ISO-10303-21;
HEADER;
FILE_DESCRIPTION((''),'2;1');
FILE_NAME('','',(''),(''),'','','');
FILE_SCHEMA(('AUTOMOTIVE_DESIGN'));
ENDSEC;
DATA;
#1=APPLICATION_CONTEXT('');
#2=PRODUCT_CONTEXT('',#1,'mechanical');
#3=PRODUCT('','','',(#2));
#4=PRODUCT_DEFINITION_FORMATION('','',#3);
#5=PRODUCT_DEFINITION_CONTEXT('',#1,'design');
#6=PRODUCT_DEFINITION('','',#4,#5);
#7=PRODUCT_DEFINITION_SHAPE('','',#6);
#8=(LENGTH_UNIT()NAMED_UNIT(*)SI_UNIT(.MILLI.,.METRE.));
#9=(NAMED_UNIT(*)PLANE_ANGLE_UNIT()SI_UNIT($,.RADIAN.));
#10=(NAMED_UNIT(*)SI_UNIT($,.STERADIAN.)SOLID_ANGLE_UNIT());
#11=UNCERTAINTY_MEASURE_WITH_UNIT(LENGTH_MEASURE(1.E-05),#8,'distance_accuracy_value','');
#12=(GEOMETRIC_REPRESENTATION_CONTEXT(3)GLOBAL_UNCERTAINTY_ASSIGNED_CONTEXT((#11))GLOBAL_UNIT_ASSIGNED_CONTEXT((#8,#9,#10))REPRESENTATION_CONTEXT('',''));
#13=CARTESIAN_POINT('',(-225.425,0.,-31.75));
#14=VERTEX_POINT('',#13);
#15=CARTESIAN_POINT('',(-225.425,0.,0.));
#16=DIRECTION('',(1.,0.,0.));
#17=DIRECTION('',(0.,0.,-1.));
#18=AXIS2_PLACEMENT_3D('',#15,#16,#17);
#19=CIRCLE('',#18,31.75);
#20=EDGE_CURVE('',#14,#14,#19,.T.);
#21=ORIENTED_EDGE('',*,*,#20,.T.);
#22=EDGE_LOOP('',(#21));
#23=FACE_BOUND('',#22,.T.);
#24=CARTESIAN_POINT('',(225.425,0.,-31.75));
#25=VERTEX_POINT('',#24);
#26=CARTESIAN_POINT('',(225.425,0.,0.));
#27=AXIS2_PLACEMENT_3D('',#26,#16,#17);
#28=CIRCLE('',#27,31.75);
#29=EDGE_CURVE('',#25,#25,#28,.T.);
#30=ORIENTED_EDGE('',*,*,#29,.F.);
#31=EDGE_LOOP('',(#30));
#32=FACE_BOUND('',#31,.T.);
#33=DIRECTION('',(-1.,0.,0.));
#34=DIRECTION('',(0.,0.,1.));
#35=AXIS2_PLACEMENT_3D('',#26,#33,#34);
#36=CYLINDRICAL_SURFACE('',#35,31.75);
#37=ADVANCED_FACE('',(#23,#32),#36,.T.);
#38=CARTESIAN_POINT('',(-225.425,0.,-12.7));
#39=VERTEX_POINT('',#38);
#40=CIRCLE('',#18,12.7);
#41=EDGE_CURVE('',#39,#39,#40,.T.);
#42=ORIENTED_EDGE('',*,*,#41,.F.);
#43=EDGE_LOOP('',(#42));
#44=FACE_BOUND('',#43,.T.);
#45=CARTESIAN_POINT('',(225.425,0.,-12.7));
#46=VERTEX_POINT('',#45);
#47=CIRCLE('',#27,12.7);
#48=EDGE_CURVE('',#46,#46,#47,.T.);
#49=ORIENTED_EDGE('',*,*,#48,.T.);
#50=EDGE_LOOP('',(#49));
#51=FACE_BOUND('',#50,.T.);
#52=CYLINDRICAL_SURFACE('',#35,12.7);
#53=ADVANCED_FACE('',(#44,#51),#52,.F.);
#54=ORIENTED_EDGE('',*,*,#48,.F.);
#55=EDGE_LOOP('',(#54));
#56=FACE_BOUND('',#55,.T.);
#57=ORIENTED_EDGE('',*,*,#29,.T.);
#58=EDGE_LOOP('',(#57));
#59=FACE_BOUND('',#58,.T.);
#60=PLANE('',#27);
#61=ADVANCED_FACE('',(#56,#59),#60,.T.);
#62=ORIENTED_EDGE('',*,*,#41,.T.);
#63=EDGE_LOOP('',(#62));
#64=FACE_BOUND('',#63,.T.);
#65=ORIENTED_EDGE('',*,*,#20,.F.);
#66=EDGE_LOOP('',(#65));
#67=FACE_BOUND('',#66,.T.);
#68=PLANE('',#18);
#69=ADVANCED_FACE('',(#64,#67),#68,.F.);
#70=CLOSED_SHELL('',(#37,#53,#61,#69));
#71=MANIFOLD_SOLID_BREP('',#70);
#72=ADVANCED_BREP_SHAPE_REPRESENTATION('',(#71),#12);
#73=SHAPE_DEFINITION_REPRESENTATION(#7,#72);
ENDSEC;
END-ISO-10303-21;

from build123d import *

# Parameters (mm, degrees)
SKETCH1_R           = 31.75
SKETCH1_R_2         = 12.7
BOSS_EXTRUDE1_DEPTH = 225.425


with BuildPart() as part:
    # Sketch1 → Boss-Extrude1 (new body, symmetric)
    with BuildSketch(Plane(origin=(0, 0, 0), x_dir=(0, 0, -1), z_dir=(1, 0, 0))):
        Circle(SKETCH1_R)
        Circle(SKETCH1_R_2, mode=Mode.SUBTRACT)
    extrude(amount=BOSS_EXTRUDE1_DEPTH, both=True)


solid = part.part
